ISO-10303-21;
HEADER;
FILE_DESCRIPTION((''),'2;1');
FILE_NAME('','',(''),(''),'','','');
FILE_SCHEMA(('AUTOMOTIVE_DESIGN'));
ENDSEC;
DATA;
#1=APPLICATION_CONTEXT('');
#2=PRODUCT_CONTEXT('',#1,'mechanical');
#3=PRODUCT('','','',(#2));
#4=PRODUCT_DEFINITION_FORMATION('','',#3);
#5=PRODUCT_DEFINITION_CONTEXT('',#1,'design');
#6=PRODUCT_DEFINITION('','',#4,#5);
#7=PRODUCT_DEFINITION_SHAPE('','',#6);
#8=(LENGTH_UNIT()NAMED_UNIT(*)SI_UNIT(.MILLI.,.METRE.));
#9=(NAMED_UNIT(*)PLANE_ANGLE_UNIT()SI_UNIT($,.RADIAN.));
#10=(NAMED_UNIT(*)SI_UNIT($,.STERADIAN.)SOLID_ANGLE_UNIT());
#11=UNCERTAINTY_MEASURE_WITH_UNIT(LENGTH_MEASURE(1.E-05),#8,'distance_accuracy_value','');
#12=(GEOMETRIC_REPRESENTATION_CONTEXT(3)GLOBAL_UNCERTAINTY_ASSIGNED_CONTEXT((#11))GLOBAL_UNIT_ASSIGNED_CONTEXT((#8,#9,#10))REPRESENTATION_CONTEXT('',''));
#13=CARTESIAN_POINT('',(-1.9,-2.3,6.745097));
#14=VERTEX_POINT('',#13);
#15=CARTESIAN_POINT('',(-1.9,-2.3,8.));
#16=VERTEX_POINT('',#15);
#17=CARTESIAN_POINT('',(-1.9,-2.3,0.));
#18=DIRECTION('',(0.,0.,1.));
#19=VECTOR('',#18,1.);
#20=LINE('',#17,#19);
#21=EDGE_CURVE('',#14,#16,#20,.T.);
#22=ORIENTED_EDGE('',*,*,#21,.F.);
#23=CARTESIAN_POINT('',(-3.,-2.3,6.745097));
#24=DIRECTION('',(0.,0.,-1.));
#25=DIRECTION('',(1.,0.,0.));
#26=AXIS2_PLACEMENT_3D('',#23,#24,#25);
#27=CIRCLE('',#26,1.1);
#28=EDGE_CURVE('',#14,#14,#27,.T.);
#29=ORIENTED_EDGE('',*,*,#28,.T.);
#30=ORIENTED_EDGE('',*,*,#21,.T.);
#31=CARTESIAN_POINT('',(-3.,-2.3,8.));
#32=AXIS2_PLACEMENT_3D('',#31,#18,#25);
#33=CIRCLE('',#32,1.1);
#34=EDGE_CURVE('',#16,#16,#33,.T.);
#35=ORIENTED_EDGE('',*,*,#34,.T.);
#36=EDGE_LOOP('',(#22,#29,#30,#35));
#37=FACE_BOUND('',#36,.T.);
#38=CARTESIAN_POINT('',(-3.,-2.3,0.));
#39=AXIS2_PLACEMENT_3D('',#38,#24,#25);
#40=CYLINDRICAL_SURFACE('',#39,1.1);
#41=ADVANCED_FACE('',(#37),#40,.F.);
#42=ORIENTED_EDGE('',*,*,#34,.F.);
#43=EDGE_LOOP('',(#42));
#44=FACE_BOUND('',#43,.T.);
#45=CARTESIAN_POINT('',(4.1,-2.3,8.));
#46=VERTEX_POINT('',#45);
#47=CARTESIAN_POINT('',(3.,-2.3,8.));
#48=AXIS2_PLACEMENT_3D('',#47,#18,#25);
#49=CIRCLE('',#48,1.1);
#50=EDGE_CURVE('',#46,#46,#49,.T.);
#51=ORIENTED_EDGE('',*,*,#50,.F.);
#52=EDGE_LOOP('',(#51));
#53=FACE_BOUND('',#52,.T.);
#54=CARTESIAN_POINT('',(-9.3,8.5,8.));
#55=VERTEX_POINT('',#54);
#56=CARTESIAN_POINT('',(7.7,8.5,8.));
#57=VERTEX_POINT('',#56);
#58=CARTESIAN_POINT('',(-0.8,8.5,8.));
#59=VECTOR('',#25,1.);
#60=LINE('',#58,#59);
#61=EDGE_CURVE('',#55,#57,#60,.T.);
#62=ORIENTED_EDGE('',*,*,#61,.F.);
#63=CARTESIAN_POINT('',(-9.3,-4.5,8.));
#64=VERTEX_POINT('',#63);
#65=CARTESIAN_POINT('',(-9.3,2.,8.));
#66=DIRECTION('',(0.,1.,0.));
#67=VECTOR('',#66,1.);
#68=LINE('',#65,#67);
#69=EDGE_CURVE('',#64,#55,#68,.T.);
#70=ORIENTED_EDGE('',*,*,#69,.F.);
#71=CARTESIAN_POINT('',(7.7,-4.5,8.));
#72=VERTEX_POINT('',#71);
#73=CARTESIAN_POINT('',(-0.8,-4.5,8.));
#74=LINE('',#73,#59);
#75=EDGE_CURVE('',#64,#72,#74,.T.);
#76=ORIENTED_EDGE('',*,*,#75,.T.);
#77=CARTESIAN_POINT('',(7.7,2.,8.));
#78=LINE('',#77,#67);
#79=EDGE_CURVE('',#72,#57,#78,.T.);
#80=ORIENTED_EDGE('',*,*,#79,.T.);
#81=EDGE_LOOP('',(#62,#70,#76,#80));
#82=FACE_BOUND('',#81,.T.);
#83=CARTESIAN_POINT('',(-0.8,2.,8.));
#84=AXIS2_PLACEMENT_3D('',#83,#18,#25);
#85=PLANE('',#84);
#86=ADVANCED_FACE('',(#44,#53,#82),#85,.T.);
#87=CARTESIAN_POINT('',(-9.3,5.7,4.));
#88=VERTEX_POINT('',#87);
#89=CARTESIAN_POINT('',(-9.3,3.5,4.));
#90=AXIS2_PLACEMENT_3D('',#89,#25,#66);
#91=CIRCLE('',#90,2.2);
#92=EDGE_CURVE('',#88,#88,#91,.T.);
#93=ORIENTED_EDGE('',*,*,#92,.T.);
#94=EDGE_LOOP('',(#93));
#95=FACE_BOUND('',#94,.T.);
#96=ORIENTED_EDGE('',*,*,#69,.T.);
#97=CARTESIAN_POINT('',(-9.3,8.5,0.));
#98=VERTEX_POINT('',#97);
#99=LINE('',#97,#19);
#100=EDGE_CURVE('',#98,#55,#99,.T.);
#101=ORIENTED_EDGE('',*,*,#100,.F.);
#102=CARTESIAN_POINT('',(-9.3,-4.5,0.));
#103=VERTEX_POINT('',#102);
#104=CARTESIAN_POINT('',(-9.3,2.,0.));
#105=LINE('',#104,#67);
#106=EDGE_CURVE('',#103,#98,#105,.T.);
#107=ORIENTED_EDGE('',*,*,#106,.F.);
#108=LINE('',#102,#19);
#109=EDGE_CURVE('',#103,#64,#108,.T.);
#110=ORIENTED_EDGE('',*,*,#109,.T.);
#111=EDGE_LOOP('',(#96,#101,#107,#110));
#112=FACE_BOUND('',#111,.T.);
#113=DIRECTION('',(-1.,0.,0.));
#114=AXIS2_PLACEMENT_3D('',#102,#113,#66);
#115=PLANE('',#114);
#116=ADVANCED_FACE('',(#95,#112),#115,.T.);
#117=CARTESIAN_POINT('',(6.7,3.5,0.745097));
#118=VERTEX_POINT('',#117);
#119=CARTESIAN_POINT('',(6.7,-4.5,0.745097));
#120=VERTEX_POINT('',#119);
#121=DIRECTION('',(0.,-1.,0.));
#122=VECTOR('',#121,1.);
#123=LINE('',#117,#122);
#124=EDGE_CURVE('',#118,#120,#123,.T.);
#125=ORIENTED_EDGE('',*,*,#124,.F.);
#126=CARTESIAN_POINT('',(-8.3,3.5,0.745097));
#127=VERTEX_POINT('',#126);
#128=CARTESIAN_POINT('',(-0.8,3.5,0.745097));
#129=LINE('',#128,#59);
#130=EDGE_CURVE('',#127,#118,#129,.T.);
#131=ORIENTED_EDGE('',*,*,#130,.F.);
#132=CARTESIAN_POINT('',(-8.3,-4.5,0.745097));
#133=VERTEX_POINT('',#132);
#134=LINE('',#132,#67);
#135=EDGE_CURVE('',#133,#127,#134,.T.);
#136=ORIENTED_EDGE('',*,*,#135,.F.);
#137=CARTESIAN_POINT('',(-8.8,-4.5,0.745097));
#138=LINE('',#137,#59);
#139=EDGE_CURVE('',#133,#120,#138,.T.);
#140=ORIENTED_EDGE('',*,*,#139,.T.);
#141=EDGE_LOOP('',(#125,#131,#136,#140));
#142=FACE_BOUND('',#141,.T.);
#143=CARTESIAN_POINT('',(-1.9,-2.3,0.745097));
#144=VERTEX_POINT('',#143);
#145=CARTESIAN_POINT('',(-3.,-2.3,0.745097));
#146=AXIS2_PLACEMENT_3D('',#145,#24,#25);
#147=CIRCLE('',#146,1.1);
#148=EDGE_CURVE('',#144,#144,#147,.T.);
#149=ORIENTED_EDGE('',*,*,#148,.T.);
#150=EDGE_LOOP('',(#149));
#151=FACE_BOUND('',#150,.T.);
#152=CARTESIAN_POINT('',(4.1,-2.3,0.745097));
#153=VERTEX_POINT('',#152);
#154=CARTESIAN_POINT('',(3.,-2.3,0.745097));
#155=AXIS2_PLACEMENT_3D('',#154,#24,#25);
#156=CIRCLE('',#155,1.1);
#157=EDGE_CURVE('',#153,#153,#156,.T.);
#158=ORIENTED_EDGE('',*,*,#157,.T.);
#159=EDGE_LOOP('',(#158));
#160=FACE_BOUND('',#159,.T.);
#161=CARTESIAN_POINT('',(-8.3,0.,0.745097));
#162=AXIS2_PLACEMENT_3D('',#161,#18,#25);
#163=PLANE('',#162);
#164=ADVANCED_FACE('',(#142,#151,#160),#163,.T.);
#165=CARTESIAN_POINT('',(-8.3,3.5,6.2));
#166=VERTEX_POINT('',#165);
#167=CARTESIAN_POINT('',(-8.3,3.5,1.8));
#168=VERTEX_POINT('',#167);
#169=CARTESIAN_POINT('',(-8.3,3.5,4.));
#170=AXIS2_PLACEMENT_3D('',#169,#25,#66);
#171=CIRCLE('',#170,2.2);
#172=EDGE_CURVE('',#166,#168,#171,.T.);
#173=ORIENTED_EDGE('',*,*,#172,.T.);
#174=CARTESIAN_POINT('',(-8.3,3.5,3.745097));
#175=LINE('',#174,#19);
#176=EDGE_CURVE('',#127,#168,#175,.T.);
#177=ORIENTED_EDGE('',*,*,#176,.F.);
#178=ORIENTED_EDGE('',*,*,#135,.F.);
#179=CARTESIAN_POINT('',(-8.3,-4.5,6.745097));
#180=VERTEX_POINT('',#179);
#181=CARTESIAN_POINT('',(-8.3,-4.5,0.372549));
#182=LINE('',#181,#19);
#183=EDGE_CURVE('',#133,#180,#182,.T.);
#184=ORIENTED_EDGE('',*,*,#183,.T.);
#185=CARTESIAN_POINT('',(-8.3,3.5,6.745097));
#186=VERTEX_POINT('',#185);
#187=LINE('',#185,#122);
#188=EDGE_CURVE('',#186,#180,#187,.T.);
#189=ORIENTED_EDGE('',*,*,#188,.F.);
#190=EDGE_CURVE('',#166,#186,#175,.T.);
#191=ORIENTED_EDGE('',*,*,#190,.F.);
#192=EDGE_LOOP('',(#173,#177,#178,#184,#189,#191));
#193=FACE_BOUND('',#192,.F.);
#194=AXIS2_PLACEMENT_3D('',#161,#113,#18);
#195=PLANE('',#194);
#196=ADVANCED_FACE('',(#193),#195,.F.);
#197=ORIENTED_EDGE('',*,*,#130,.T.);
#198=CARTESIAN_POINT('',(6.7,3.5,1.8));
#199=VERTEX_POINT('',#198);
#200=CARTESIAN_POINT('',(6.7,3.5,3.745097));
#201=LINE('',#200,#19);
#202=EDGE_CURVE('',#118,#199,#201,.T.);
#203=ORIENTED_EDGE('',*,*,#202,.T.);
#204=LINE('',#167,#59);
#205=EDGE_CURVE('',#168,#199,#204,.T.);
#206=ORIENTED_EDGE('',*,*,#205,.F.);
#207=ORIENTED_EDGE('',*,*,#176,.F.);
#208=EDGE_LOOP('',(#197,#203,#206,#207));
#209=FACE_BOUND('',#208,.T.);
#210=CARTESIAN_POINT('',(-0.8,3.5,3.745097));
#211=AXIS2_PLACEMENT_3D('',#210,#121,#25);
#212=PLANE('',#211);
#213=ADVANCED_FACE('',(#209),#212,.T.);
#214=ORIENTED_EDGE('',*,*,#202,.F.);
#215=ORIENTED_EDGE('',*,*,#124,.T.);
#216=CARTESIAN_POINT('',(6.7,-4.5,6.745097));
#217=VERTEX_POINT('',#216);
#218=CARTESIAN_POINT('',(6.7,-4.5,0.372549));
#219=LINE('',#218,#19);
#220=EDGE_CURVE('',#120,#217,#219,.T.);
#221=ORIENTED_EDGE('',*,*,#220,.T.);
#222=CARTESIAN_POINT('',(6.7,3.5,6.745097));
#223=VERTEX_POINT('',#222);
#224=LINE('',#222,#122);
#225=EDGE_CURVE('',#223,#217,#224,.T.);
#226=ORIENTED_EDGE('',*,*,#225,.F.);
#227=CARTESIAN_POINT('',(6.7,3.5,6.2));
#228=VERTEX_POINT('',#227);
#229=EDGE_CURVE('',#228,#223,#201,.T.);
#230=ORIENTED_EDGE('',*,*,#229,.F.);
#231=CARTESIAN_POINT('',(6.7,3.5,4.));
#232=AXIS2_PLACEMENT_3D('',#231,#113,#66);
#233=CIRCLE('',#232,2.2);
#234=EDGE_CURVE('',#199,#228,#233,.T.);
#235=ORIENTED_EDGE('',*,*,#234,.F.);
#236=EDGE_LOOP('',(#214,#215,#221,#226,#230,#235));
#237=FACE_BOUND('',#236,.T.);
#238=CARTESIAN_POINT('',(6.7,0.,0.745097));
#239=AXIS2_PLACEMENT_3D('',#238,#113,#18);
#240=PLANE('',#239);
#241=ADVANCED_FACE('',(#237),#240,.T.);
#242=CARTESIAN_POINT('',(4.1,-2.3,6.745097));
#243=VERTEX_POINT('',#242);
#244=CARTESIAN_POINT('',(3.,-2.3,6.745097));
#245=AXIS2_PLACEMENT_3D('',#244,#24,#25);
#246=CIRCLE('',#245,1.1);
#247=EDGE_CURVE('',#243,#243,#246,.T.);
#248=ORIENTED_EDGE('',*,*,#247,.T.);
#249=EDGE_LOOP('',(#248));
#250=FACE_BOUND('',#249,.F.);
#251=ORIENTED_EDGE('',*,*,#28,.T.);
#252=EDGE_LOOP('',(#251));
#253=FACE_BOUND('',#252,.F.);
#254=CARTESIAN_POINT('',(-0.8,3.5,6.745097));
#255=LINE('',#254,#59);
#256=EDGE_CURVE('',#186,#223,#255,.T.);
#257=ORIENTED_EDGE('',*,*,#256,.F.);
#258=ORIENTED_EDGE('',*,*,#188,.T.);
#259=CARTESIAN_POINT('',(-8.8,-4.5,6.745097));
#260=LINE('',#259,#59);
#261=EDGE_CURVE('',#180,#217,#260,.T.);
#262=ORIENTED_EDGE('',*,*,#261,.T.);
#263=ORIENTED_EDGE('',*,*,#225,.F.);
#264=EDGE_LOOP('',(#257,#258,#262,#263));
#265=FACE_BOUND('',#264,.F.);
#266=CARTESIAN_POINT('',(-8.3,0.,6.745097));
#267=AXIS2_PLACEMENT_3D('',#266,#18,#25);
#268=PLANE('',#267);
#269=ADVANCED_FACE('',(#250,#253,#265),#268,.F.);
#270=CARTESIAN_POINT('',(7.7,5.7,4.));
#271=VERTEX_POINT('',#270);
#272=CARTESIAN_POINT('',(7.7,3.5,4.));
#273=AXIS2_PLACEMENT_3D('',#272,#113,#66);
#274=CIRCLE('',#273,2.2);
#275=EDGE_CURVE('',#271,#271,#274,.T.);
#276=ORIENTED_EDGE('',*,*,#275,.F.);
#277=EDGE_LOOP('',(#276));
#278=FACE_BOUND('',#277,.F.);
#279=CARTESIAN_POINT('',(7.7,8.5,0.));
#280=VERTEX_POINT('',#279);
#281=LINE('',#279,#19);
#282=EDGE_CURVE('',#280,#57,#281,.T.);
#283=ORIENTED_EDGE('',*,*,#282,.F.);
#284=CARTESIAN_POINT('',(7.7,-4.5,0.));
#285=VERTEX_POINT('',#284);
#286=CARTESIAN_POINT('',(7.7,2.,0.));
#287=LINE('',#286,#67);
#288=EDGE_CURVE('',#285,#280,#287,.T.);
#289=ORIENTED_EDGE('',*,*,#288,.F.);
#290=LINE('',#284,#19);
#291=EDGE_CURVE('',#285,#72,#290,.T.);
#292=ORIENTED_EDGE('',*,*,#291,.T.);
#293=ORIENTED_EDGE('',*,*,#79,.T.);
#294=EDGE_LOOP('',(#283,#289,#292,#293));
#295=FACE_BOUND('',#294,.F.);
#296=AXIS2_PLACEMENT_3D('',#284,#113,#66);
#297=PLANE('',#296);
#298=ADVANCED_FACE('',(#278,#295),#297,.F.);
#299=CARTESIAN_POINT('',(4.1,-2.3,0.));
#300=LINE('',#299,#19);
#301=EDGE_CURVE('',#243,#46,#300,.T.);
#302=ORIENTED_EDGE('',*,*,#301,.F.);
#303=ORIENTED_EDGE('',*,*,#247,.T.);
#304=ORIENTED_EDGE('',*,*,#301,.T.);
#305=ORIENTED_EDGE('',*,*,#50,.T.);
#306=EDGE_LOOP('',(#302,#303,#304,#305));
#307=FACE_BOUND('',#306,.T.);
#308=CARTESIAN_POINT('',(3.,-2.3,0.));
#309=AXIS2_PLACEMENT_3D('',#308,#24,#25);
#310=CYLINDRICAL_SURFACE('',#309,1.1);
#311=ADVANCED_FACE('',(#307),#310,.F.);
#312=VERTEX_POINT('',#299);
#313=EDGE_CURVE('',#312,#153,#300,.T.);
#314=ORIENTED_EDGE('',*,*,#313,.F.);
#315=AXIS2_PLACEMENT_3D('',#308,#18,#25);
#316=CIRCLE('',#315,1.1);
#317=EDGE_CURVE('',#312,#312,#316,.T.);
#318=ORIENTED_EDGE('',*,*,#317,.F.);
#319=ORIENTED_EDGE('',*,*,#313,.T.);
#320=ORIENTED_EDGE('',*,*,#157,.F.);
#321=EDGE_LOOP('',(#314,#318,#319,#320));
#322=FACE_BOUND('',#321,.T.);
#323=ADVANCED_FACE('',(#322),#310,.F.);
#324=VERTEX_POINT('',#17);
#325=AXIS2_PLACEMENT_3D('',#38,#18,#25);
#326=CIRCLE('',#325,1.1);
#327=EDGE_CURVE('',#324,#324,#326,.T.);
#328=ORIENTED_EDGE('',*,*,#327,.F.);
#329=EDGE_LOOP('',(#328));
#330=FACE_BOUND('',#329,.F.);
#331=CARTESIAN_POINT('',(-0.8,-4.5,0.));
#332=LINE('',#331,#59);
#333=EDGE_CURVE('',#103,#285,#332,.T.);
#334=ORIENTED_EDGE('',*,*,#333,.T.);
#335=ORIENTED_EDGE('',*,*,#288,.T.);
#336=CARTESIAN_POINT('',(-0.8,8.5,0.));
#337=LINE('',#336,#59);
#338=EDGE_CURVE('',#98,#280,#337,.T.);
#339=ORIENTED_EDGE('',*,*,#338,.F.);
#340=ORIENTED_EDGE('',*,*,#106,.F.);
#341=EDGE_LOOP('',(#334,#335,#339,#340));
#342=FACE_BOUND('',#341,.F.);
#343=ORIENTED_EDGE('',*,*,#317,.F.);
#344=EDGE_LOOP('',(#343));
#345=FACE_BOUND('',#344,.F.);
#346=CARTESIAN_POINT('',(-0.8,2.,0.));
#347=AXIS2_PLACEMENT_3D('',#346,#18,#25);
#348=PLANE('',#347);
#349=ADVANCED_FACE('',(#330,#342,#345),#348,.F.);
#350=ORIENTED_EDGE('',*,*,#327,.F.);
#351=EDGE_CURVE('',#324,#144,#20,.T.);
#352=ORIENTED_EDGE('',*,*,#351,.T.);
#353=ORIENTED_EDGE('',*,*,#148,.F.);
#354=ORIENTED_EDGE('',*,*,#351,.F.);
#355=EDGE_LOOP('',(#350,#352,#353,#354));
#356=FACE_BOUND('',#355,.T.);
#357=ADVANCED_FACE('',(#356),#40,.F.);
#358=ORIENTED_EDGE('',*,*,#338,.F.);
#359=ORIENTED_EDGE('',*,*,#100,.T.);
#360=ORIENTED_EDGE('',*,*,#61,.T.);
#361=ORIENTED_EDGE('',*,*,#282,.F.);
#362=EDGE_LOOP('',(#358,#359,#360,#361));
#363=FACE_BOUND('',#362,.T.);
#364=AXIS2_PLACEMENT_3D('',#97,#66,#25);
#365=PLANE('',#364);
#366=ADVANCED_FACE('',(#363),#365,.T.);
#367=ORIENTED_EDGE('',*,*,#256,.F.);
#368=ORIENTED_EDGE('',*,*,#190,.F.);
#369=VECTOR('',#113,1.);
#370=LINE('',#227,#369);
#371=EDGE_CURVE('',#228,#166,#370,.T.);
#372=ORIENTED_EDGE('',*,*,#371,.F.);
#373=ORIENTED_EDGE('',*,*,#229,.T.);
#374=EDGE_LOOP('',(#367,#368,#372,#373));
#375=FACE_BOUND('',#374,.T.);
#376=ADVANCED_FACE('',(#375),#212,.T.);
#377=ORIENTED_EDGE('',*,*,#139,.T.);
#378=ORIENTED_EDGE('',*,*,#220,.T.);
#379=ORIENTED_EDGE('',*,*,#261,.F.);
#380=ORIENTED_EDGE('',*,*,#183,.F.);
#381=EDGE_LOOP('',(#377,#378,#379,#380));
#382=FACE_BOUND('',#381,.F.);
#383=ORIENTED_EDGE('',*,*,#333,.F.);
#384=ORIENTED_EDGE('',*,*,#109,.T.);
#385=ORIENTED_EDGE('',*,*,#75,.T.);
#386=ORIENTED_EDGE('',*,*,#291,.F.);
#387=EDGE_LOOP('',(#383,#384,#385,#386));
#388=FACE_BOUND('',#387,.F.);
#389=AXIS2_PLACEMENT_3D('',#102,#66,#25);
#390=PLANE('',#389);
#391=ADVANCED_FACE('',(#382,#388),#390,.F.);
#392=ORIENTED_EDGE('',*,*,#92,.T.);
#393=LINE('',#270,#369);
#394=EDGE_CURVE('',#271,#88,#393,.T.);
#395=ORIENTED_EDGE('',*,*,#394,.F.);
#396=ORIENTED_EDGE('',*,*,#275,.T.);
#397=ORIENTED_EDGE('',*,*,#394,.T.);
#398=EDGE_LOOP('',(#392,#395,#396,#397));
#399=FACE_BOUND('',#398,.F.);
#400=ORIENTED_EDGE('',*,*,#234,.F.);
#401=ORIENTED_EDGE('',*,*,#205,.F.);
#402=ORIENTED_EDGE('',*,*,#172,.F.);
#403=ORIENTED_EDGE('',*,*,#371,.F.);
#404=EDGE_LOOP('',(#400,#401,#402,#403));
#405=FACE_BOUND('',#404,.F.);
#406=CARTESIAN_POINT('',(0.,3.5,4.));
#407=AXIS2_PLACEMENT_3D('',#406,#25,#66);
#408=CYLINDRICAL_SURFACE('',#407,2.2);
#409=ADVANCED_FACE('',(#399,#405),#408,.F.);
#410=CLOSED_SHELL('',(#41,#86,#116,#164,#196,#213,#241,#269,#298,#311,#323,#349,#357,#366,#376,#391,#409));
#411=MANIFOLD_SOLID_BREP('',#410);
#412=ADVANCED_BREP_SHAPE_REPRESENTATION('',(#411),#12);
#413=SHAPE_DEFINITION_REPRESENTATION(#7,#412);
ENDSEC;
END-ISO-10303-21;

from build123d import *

# Parameters (mm, degrees)
F0_W          = 17
F0_H          = 13
F0_W_2        = 12.7
F0_H_2        = 7
F0_R          = 1.1
F1_DEPTH      = 8
F2_W          = 15
F2_H          = 6
F3_DEPTH      = 4.501
F3_DEPTH_BACK = 3.5
F4_R          = 2.2
F5_DEPTH      = 9.301
F5_DEPTH_BACK = 7.701


with BuildPart() as f1:
    # F0 (on Top) → F1 (new body)
    with BuildSketch(Plane.XY):
        with Locations((-0.8, 2)):
            Rectangle(F0_W, F0_H)
        Rectangle(F0_W_2, F0_H_2, mode=Mode.SUBTRACT)
        Rectangle(F0_W_2, F0_H_2)
        with Locations((-3, -2.3)):
            Circle(F0_R, mode=Mode.SUBTRACT)
        with Locations((3, -2.3)):
            Circle(F0_R, mode=Mode.SUBTRACT)
    extrude(amount=F1_DEPTH)

    # F2 (on Front) → F3 (cut, two sides)
    with BuildSketch(Plane.XZ) as f3_sk:
        with Locations((-0.8, 3.7450972334)):
            Rectangle(F2_W, F2_H)
    extrude(amount=F3_DEPTH, mode=Mode.SUBTRACT)
    extrude(f3_sk.sketch, amount=-F3_DEPTH_BACK, mode=Mode.SUBTRACT)

    # F4 (on Right) → F5 (cut, two sides)
    with BuildSketch(Plane.YZ) as f5_sk:
        with Locations((3.5, 4)):
            Circle(F4_R)
    extrude(amount=-F5_DEPTH, mode=Mode.SUBTRACT)
    extrude(f5_sk.sketch, amount=F5_DEPTH_BACK, mode=Mode.SUBTRACT)


solid = f1.part
